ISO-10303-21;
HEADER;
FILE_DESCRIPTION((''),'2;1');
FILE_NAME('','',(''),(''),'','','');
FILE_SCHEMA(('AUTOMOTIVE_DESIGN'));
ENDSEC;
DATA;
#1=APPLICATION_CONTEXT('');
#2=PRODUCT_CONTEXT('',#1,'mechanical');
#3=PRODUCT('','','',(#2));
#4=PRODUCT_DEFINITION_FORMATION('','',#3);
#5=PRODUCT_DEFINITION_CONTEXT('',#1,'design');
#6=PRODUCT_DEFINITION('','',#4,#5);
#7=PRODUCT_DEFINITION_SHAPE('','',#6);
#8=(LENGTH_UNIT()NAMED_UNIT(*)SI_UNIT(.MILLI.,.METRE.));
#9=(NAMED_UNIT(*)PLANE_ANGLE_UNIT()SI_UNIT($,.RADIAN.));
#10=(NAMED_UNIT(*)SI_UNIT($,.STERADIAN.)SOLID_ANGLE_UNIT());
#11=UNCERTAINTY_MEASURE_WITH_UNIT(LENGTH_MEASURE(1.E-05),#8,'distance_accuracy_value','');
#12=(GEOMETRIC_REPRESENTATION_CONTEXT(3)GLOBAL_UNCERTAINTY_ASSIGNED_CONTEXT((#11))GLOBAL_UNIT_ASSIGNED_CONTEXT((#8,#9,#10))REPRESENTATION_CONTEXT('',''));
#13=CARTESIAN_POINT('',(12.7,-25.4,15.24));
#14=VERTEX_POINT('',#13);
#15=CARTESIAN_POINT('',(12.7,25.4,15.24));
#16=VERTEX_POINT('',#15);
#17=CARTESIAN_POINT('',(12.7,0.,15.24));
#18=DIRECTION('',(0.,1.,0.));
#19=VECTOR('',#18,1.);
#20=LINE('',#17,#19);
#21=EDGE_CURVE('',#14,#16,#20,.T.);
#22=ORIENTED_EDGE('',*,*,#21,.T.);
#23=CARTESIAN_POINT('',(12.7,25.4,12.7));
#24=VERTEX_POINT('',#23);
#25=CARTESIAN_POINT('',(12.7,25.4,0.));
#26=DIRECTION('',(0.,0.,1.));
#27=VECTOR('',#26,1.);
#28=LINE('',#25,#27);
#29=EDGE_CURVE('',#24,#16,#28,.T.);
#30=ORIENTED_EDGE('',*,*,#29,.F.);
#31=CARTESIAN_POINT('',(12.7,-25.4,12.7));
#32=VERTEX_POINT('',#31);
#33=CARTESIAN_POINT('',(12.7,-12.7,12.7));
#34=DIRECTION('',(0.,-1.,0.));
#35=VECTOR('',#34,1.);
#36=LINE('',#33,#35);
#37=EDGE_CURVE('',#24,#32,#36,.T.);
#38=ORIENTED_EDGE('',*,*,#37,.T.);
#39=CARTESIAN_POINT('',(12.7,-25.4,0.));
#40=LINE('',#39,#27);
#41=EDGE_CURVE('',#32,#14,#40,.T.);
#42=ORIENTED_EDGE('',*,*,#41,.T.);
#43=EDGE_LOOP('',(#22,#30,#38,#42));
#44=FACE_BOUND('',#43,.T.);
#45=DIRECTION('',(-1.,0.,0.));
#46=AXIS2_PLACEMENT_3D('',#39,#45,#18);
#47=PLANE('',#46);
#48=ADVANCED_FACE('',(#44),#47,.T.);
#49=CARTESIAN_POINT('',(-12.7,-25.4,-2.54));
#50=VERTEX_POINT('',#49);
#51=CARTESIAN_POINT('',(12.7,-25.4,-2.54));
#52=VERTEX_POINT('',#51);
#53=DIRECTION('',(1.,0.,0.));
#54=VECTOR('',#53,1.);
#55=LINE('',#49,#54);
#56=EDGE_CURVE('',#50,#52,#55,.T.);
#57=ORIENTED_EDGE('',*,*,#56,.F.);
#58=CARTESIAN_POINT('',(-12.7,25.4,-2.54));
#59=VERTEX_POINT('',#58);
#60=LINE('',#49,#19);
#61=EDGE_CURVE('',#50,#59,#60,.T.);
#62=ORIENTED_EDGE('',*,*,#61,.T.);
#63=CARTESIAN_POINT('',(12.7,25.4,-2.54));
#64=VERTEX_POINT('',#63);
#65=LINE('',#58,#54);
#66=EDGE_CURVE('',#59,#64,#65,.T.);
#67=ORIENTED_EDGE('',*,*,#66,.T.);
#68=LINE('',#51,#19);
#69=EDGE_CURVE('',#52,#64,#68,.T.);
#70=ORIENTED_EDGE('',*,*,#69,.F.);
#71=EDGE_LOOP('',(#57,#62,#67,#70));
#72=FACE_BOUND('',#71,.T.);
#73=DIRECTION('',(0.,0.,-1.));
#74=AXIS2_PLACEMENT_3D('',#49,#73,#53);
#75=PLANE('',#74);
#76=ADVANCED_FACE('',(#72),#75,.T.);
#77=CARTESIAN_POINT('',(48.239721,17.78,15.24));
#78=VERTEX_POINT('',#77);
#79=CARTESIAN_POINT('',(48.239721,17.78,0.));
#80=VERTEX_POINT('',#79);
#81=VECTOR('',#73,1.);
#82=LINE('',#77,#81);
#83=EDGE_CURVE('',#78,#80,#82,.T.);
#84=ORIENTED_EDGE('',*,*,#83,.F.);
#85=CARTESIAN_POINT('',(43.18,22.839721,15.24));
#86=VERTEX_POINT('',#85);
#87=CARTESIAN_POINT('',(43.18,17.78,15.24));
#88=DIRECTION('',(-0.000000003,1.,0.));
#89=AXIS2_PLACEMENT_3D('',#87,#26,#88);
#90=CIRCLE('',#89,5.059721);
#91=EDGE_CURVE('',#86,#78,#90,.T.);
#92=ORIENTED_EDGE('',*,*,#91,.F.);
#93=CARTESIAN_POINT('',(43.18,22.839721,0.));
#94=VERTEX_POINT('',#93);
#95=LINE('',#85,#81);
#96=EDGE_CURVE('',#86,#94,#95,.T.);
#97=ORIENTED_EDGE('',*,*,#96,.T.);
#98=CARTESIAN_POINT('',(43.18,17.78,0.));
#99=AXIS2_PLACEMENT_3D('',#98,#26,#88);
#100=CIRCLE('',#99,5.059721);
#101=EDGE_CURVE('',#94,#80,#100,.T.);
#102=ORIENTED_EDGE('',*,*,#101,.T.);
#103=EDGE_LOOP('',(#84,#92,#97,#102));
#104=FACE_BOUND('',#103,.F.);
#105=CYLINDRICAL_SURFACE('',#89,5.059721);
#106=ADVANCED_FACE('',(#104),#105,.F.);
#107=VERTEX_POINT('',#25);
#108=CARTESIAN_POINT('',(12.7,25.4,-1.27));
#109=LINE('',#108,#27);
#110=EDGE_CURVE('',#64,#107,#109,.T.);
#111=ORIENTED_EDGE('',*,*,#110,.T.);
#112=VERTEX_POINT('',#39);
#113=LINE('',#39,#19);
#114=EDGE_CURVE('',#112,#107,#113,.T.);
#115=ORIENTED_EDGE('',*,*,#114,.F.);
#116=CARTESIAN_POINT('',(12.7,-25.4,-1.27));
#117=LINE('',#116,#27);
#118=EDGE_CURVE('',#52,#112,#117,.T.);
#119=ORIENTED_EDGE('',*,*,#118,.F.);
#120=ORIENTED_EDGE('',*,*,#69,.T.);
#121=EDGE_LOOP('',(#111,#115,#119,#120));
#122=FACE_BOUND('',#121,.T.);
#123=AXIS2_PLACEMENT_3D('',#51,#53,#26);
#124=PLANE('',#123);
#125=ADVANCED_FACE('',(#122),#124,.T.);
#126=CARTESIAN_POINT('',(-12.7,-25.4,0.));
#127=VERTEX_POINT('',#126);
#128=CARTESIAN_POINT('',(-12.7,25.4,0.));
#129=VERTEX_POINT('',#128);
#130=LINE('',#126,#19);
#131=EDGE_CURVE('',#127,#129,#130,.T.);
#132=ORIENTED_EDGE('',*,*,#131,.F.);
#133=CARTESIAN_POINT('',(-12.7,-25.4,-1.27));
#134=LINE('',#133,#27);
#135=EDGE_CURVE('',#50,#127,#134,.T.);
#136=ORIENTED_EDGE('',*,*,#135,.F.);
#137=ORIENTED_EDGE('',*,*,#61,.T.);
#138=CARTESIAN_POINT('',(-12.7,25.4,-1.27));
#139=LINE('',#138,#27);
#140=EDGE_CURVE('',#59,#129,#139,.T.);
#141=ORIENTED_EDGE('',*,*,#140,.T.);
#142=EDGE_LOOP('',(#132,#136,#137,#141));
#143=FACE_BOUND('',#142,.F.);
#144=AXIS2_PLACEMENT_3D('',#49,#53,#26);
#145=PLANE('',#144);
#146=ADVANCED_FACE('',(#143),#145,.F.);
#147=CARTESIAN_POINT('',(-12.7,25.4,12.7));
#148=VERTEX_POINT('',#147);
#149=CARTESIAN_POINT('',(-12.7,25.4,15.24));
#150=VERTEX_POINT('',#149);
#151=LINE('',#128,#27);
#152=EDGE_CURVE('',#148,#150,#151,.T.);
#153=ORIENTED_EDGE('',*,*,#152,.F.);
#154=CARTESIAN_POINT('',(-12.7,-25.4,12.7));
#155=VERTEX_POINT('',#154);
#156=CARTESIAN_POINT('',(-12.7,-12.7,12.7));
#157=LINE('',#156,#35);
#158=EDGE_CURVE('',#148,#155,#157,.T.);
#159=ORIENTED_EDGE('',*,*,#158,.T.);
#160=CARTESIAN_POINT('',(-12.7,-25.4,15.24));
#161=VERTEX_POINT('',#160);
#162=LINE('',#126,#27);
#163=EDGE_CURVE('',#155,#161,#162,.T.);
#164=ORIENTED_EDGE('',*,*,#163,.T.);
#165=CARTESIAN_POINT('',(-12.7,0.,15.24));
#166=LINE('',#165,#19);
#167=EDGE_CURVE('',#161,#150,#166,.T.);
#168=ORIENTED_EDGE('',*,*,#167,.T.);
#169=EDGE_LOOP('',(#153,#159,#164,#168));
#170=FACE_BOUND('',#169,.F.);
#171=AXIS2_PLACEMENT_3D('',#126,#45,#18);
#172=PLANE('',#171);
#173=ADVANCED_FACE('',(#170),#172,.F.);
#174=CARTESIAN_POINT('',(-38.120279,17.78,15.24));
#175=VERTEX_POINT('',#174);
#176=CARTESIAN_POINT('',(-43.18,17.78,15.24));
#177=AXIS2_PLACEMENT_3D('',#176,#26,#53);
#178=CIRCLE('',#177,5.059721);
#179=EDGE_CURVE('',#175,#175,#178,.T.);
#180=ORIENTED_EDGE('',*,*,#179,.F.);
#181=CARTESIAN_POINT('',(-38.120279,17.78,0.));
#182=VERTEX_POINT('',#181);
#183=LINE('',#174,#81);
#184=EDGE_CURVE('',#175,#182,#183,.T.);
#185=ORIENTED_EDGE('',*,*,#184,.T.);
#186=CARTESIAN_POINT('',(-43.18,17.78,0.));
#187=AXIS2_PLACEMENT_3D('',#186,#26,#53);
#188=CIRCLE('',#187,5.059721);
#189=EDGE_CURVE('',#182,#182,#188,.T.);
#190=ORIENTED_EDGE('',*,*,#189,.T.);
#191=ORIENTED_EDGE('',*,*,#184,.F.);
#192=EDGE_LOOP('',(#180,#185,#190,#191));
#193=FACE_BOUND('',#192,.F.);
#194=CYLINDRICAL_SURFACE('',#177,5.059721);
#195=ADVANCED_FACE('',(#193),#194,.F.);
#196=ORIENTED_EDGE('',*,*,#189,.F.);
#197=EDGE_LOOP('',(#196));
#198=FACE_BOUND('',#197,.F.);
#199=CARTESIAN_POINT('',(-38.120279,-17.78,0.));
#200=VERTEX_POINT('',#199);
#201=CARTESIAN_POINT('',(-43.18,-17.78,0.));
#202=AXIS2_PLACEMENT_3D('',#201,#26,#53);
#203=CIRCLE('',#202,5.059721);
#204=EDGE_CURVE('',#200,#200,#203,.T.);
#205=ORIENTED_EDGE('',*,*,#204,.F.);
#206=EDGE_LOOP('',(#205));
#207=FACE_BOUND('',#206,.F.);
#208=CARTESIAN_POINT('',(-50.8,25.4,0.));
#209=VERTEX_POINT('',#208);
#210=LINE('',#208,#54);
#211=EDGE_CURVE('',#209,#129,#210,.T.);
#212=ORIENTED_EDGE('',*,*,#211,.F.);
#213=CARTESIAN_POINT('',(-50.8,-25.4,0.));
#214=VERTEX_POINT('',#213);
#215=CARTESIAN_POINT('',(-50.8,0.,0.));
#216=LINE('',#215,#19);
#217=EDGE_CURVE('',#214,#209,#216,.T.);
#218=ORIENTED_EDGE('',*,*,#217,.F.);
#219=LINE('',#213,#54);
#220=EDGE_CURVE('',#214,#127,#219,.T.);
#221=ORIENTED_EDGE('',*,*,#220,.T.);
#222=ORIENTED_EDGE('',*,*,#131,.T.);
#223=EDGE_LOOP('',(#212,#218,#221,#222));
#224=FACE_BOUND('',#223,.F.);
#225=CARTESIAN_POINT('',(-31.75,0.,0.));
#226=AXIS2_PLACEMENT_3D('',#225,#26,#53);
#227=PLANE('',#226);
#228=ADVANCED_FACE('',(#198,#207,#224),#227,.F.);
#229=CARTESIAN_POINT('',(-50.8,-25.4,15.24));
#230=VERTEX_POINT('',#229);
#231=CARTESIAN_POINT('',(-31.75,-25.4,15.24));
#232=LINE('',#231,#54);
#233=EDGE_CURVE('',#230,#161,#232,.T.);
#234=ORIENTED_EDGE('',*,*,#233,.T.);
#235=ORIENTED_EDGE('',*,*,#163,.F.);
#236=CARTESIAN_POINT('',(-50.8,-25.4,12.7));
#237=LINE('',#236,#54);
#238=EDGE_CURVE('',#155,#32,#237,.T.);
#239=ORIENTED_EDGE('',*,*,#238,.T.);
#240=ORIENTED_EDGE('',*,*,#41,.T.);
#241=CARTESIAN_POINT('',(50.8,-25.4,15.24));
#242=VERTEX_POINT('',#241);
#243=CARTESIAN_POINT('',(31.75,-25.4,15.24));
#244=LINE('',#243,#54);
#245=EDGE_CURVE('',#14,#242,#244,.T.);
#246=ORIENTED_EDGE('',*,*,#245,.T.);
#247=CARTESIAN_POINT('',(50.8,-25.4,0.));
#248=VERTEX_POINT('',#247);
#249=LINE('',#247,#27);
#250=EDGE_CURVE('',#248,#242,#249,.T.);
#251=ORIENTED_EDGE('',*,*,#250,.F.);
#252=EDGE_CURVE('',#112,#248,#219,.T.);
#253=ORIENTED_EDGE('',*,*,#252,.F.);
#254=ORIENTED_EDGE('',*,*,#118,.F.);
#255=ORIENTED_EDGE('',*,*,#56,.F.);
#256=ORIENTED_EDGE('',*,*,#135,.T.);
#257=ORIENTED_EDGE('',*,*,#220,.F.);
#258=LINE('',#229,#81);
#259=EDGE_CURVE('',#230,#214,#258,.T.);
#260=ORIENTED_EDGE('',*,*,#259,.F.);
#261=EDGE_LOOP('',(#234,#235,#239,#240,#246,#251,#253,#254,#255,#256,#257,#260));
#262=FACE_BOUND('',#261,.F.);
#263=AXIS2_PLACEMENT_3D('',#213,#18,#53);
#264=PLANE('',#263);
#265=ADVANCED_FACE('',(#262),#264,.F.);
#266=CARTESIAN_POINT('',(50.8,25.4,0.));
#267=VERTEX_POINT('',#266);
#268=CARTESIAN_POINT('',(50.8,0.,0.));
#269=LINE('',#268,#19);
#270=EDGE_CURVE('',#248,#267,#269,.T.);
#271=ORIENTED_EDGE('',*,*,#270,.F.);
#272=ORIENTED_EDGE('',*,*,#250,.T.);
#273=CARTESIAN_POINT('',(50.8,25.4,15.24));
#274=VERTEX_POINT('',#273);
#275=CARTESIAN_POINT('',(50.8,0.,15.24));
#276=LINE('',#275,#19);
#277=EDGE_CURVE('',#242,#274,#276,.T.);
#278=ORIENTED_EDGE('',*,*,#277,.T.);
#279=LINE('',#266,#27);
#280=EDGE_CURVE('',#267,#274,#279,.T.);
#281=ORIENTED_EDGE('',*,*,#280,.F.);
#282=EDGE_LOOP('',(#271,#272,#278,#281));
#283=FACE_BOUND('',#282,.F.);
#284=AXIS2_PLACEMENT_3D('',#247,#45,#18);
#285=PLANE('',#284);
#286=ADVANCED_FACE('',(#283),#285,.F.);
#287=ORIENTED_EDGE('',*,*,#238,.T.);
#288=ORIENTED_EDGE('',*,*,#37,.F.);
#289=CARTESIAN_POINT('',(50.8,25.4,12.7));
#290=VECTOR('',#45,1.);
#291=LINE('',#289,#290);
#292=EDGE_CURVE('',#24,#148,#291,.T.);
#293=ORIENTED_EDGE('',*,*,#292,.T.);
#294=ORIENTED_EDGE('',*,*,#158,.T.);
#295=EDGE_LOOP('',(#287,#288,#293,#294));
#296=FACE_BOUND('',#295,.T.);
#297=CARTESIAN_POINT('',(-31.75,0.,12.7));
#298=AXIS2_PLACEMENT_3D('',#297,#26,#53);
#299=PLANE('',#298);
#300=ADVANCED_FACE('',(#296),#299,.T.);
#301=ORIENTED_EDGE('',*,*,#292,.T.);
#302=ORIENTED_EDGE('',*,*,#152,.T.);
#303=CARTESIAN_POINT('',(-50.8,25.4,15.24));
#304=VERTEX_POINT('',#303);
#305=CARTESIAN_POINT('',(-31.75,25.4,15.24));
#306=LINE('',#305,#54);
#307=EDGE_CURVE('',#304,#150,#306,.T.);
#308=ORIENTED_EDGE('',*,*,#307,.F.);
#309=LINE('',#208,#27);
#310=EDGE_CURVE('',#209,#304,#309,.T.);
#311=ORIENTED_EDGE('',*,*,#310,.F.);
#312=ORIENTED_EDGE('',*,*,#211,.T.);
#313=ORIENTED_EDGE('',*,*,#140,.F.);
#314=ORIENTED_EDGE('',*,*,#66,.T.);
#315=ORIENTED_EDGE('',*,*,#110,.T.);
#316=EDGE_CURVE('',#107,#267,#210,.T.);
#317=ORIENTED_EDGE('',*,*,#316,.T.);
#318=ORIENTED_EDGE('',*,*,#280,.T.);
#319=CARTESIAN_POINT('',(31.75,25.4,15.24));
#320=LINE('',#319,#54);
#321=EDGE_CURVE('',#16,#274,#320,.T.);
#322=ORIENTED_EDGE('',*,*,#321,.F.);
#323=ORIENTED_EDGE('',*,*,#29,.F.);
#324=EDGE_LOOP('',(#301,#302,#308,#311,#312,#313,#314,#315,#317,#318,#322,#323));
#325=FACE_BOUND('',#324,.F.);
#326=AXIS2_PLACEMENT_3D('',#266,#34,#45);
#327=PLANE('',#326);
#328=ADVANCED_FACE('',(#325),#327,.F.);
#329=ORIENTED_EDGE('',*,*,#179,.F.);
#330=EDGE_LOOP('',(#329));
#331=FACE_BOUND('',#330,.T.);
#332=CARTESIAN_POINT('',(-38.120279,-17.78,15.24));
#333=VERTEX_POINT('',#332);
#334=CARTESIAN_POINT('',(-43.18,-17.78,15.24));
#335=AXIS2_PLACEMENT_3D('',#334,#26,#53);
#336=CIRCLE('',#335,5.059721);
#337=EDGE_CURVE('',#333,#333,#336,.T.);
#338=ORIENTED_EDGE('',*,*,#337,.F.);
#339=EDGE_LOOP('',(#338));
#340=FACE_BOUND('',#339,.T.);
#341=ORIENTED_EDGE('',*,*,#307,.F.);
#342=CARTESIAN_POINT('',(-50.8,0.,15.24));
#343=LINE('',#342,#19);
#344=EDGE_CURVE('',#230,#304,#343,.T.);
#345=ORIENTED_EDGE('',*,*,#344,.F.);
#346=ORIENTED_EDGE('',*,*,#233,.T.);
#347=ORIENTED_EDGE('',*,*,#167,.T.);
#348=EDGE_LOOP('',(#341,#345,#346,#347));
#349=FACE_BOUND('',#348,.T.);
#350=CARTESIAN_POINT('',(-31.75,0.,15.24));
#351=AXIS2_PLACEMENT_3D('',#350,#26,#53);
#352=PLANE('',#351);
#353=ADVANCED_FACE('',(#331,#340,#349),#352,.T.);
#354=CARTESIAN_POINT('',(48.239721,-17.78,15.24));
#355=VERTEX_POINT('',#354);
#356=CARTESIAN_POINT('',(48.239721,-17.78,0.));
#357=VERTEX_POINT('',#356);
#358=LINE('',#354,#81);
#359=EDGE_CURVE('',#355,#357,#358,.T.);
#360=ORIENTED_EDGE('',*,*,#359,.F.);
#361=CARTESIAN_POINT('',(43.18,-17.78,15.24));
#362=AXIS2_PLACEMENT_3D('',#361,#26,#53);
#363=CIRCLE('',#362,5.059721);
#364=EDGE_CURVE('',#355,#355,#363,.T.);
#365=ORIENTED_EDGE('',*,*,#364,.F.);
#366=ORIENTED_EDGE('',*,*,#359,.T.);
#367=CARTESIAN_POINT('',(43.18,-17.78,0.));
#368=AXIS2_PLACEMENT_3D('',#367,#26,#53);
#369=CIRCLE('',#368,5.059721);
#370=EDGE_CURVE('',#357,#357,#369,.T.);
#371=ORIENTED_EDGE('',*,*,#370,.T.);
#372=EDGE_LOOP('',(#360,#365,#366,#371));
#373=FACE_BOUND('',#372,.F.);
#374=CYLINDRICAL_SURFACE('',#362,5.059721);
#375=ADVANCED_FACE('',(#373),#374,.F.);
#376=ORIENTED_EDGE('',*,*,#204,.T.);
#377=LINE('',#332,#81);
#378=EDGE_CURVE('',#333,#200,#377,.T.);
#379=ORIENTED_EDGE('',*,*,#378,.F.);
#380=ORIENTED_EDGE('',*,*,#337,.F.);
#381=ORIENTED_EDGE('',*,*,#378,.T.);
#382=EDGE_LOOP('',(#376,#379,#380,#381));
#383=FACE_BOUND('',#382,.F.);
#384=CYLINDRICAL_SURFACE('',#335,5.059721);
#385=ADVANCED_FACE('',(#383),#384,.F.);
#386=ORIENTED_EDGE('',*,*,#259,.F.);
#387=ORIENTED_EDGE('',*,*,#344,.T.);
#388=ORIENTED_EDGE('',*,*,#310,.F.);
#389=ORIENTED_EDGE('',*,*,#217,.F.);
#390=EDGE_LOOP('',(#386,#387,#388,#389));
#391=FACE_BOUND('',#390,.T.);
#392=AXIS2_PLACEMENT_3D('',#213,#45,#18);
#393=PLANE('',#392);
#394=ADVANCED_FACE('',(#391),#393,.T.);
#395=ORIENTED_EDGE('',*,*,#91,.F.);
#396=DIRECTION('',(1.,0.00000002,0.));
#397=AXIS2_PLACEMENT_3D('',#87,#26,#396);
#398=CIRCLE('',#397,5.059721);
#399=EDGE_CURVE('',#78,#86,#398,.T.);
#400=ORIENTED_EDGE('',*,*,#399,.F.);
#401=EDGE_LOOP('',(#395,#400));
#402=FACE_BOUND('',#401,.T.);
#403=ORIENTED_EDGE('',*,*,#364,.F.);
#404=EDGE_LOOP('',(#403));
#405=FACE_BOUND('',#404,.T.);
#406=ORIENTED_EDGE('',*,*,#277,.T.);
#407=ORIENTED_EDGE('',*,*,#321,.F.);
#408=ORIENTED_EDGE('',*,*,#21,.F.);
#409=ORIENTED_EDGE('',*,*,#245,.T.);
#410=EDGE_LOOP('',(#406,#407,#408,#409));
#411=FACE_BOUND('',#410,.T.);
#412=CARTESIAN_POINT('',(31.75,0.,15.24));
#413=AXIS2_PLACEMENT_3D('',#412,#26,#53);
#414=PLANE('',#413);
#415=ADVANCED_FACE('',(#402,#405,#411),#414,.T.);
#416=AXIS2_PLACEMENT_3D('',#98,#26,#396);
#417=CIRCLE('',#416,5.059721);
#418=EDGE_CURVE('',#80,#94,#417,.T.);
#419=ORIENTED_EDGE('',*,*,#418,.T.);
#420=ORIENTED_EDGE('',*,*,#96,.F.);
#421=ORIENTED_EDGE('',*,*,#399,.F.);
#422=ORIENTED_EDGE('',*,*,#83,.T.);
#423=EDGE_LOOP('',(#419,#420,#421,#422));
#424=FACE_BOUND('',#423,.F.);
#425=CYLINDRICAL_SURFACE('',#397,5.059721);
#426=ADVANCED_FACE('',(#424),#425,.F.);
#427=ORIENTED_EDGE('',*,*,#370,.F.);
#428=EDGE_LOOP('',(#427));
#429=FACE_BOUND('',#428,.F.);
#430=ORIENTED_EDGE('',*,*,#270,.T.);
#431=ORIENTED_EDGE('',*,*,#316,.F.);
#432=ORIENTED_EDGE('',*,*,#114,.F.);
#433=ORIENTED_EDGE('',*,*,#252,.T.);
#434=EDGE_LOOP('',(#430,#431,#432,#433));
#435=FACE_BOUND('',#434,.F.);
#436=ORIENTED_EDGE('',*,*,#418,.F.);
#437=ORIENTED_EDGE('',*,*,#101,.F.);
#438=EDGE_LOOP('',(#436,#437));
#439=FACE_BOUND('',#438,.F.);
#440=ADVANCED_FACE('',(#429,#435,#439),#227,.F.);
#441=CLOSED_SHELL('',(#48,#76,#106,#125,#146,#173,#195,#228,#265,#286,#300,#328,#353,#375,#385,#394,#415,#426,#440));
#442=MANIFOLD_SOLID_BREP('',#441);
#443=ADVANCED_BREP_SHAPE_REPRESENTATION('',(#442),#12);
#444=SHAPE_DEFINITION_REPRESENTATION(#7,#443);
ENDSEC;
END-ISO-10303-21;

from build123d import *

# Parameters (mm, degrees)
F0_W     = 38.1
F0_H     = 50.8
F0_W_2   = 25.4
F1_DEPTH = 12.7
F2_DEPTH = 15.24
F5_W     = 12.7
F5_H     = 2.54
F6_DEPTH = 50.8
F7_R     = 5.059721
F8_DEPTH = 17.781


with BuildPart() as f1:
    # F0 (on Top) → F1 (new body)
    with BuildSketch(Plane.XY):
        with Locations((-31.75, 0)):
            Rectangle(F0_W, F0_H)
        Rectangle(F0_W_2, F0_H)
        with Locations((31.75, 0)):
            Rectangle(F0_W, F0_H)
    extrude(amount=F1_DEPTH)

    # F0 (on Top) → F2 (join)
    with BuildSketch(Plane.XY):
        with Locations((31.75, 0)):
            Rectangle(F0_W, F0_H)
        with Locations((-31.75, 0)):
            Rectangle(F0_W, F0_H)
    extrude(amount=F2_DEPTH)

    # F5 (on face) → F6 (join)
    with BuildSketch(Plane.XZ.offset(25.4)):
        with Locations((-6.35, -1.27)):
            Rectangle(F5_W, F5_H)
        with Locations((6.35, -1.27)):
            Rectangle(F5_W, F5_H)
    extrude(amount=-F6_DEPTH)

    # F7 (on face) → F8 (cut, through all)
    with BuildSketch(Plane.XY.offset(15.24)):
        with BuildLine():
            ThreePointArc((43.18, 22.839721), (39.602237, 14.202237), (48.239721, 17.78))
            ThreePointArc((48.239721, 17.78), (46.757763, 21.357763), (43.18, 22.839721))
        make_face()
        with Locations((43.18, -17.78)):
            Circle(F7_R)
        with Locations((-43.18, 17.78)):
            Circle(F7_R)
        with Locations((-43.18, -17.78)):
            Circle(F7_R)
    extrude(amount=-F8_DEPTH, mode=Mode.SUBTRACT)


solid = f1.part
